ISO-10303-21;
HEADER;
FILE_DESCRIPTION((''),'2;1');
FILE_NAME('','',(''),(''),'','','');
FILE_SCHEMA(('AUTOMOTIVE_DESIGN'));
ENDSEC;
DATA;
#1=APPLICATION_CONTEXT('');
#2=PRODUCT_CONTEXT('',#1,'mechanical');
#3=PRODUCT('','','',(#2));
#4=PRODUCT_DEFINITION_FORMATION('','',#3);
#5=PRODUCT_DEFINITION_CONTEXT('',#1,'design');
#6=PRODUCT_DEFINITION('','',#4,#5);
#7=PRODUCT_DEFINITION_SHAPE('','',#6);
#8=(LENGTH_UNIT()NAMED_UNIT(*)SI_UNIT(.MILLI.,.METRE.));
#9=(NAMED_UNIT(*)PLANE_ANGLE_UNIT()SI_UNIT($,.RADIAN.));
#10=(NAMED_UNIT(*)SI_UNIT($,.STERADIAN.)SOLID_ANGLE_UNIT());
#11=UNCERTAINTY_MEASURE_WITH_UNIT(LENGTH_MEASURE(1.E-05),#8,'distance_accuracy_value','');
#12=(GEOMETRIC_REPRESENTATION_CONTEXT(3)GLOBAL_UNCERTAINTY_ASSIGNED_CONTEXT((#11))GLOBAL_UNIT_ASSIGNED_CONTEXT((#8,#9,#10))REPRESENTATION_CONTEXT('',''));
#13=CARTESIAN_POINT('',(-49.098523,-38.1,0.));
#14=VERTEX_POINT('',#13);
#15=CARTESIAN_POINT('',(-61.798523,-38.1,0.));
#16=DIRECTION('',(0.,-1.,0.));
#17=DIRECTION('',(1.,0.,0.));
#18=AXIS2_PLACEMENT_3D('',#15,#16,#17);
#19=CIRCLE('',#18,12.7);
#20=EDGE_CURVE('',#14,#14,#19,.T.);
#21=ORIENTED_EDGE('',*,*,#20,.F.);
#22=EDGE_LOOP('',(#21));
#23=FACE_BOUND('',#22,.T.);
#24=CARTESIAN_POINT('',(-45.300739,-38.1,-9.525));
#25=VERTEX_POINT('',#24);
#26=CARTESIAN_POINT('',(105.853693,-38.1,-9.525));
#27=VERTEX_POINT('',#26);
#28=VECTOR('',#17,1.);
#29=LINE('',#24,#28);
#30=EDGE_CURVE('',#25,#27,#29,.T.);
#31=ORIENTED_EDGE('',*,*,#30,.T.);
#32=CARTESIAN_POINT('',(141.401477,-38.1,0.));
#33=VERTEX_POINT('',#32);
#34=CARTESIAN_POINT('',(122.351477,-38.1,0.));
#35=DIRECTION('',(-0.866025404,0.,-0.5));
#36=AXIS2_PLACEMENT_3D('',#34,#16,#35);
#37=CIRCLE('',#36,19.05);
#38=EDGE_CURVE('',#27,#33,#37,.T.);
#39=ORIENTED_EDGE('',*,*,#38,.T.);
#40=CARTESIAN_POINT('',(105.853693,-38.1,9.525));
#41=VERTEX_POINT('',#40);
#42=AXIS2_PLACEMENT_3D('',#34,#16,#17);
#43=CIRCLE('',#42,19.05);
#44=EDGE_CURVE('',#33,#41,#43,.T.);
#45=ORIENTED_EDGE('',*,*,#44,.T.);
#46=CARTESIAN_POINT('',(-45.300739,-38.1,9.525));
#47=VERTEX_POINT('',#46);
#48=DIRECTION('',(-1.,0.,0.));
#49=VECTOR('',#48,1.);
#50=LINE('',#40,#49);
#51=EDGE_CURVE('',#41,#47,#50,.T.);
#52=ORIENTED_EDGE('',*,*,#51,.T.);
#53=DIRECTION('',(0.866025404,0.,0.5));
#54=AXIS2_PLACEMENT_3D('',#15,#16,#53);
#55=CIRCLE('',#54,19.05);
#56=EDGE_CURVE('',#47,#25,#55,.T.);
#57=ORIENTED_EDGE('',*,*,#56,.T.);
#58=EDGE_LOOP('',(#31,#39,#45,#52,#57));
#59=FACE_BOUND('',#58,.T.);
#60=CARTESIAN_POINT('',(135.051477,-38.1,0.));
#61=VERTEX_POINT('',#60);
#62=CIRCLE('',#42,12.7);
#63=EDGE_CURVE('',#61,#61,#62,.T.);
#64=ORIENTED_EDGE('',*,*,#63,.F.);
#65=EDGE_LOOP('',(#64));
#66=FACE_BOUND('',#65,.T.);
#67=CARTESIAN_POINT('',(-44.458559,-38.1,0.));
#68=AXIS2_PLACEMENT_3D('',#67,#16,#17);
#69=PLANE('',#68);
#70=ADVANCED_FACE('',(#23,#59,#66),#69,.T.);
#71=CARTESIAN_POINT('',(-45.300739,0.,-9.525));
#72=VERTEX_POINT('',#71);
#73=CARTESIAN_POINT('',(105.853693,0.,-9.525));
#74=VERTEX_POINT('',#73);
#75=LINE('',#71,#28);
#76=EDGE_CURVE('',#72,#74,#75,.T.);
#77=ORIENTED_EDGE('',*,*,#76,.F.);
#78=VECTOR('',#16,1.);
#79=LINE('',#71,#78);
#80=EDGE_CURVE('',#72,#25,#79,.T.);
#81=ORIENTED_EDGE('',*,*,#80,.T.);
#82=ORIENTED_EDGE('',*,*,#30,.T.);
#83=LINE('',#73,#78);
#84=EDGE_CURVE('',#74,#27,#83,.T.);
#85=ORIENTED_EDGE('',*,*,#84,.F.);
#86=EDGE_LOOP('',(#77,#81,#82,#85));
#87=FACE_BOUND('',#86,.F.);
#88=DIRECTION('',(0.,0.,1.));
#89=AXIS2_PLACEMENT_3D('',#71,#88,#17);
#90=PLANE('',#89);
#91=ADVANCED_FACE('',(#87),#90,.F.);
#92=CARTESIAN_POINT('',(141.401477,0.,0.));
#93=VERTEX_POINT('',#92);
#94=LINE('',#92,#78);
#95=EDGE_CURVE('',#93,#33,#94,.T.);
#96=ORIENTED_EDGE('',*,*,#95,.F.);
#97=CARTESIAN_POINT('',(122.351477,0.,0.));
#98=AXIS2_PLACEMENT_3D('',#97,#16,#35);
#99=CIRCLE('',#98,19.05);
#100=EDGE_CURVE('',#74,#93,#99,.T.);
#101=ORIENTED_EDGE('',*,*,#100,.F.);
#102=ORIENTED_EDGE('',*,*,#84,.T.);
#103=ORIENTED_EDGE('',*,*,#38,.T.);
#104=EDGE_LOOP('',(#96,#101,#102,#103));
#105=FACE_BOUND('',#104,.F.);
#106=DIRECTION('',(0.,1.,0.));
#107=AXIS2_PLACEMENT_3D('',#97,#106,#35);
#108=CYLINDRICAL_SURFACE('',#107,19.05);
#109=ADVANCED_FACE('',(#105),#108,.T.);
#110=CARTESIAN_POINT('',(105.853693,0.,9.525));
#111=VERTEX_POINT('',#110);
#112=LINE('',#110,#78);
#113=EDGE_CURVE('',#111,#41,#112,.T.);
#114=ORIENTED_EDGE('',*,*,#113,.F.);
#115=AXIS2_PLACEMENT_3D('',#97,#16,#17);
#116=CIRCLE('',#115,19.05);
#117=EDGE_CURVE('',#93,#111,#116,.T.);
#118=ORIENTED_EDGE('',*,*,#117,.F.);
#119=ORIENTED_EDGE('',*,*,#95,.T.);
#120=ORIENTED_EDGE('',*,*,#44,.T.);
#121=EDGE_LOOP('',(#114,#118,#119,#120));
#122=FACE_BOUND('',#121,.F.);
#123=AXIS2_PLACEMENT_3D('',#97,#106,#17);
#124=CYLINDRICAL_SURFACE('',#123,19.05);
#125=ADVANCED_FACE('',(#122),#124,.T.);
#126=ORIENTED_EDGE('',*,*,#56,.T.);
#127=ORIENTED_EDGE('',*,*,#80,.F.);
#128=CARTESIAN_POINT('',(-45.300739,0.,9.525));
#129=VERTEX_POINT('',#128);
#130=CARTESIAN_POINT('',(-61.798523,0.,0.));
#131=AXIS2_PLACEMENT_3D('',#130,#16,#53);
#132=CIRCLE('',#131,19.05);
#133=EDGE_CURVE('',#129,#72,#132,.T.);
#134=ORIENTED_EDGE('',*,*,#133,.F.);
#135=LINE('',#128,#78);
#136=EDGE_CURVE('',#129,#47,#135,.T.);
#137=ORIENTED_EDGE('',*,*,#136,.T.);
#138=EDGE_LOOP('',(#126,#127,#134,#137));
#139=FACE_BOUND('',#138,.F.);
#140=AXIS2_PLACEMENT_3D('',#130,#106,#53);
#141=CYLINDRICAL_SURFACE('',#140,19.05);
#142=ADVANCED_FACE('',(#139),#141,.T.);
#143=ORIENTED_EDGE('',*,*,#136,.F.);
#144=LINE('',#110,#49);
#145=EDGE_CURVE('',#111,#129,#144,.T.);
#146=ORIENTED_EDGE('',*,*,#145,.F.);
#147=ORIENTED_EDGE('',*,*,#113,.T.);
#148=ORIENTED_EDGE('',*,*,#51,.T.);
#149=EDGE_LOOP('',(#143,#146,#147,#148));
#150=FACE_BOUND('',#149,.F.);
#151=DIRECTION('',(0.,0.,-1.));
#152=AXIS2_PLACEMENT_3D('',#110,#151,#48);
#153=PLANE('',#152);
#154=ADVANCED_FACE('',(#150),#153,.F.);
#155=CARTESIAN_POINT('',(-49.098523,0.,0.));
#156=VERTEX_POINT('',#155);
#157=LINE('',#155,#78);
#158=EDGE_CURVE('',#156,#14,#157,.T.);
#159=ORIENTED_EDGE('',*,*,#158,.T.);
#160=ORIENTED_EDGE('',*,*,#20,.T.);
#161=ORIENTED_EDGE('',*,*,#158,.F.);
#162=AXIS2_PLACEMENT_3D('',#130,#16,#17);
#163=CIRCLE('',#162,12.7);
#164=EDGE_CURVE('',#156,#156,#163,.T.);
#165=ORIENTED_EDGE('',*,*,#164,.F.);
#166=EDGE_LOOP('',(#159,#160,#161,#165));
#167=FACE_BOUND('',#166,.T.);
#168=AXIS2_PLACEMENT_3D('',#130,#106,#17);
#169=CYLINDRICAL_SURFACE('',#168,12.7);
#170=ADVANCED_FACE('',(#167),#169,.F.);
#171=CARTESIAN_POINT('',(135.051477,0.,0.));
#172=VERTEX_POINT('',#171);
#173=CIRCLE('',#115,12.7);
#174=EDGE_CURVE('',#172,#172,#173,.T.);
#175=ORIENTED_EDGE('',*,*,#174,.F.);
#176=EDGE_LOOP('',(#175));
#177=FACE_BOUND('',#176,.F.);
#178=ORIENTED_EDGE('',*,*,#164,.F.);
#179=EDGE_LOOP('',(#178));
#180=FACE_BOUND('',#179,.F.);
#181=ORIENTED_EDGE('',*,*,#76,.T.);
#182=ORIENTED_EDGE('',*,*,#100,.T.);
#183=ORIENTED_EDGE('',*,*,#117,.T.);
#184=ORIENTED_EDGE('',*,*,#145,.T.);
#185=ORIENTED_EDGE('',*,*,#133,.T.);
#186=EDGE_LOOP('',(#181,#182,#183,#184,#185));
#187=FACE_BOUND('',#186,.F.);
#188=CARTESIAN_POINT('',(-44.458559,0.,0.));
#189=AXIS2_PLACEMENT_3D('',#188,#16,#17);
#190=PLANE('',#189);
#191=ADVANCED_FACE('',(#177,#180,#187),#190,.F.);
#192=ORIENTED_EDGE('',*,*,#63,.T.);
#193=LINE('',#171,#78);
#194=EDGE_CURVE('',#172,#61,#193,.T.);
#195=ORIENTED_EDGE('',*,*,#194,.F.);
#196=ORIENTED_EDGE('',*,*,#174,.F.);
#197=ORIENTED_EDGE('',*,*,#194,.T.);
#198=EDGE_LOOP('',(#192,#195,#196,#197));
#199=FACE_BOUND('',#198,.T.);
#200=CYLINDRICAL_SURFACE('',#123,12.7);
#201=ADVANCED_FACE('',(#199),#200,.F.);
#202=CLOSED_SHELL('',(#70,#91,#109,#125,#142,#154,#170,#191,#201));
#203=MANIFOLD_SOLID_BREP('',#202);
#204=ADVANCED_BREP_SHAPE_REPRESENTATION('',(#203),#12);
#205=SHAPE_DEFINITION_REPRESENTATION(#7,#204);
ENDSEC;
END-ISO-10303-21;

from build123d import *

# Parameters (mm, degrees)
F0_R     = 12.7
F0_W     = 1.2455678842
F0_H     = 19.05
F1_DEPTH = 38.1


with BuildPart() as f1:
    # F0 (on Front) → F1 (new body)
    with BuildSketch(Plane.XZ):
        with BuildLine():
            ThreePointArc((-45.300738686, -9.525), (-43.3976356373, -4.9305028092), (-42.7485226281, 0))
            ThreePointArc((-42.7485226281, 0), (-43.3976356373, 4.9305028092), (-45.300738686, 9.525))
            Line((-45.300738686, 9.525), (-45.300738686, -9.525))
        make_face()
        with BuildLine():
            ThreePointArc((-45.300738686, 9.525), (-43.3976356373, 4.9305028092), (-42.7485226281, 0))
            ThreePointArc((-42.7485226281, 0), (-43.3976356373, -4.9305028092), (-45.300738686, -9.525))
            Line((-45.300738686, -9.525), (105.8536934298, -9.525))
            ThreePointArc((105.8536934298, -9.525), (103.3014773719, 0), (105.8536934298, 9.525))
            Line((105.8536934298, 9.525), (-45.300738686, 9.525))
        make_face()
        with BuildLine():
            Line((-46.5463065702, 9.525), (-45.300738686, 9.525))
            ThreePointArc((-45.300738686, 9.525), (-80.8485226281, 0), (-45.300738686, -9.525))
            Line((-45.300738686, -9.525), (-46.5463065702, -9.525))
            Line((-46.5463065702, -9.525), (-46.5463065702, 9.525))
        make_face()
        with Locations((-61.7985226281, 0)):
            Circle(F0_R, mode=Mode.SUBTRACT)
        with Locations((-45.9235226281, 0)):
            Rectangle(F0_W, F0_H)
        with BuildLine():
            ThreePointArc((141.4014773719, 0), (127.2819801811, 18.4008869908), (105.8536934298, 9.525))
            Line((105.8536934298, 9.525), (107.099261314, 9.525))
            Line((107.099261314, 9.525), (107.099261314, -9.525))
            Line((107.099261314, -9.525), (105.8536934298, -9.525))
            ThreePointArc((105.8536934298, -9.525), (127.2819801811, -18.4008869908), (141.4014773719, 0))
        make_face()
        with Locations((122.3514773719, 0)):
            Circle(F0_R, mode=Mode.SUBTRACT)
        with BuildLine():
            Line((105.8536934298, -9.525), (105.8536934298, 9.525))
            ThreePointArc((105.8536934298, 9.525), (103.3014773719, 0), (105.8536934298, -9.525))
        make_face()
        with Locations((106.4764773719, 0)):
            Rectangle(F0_W, F0_H)
    extrude(amount=F1_DEPTH)


solid = f1.part
